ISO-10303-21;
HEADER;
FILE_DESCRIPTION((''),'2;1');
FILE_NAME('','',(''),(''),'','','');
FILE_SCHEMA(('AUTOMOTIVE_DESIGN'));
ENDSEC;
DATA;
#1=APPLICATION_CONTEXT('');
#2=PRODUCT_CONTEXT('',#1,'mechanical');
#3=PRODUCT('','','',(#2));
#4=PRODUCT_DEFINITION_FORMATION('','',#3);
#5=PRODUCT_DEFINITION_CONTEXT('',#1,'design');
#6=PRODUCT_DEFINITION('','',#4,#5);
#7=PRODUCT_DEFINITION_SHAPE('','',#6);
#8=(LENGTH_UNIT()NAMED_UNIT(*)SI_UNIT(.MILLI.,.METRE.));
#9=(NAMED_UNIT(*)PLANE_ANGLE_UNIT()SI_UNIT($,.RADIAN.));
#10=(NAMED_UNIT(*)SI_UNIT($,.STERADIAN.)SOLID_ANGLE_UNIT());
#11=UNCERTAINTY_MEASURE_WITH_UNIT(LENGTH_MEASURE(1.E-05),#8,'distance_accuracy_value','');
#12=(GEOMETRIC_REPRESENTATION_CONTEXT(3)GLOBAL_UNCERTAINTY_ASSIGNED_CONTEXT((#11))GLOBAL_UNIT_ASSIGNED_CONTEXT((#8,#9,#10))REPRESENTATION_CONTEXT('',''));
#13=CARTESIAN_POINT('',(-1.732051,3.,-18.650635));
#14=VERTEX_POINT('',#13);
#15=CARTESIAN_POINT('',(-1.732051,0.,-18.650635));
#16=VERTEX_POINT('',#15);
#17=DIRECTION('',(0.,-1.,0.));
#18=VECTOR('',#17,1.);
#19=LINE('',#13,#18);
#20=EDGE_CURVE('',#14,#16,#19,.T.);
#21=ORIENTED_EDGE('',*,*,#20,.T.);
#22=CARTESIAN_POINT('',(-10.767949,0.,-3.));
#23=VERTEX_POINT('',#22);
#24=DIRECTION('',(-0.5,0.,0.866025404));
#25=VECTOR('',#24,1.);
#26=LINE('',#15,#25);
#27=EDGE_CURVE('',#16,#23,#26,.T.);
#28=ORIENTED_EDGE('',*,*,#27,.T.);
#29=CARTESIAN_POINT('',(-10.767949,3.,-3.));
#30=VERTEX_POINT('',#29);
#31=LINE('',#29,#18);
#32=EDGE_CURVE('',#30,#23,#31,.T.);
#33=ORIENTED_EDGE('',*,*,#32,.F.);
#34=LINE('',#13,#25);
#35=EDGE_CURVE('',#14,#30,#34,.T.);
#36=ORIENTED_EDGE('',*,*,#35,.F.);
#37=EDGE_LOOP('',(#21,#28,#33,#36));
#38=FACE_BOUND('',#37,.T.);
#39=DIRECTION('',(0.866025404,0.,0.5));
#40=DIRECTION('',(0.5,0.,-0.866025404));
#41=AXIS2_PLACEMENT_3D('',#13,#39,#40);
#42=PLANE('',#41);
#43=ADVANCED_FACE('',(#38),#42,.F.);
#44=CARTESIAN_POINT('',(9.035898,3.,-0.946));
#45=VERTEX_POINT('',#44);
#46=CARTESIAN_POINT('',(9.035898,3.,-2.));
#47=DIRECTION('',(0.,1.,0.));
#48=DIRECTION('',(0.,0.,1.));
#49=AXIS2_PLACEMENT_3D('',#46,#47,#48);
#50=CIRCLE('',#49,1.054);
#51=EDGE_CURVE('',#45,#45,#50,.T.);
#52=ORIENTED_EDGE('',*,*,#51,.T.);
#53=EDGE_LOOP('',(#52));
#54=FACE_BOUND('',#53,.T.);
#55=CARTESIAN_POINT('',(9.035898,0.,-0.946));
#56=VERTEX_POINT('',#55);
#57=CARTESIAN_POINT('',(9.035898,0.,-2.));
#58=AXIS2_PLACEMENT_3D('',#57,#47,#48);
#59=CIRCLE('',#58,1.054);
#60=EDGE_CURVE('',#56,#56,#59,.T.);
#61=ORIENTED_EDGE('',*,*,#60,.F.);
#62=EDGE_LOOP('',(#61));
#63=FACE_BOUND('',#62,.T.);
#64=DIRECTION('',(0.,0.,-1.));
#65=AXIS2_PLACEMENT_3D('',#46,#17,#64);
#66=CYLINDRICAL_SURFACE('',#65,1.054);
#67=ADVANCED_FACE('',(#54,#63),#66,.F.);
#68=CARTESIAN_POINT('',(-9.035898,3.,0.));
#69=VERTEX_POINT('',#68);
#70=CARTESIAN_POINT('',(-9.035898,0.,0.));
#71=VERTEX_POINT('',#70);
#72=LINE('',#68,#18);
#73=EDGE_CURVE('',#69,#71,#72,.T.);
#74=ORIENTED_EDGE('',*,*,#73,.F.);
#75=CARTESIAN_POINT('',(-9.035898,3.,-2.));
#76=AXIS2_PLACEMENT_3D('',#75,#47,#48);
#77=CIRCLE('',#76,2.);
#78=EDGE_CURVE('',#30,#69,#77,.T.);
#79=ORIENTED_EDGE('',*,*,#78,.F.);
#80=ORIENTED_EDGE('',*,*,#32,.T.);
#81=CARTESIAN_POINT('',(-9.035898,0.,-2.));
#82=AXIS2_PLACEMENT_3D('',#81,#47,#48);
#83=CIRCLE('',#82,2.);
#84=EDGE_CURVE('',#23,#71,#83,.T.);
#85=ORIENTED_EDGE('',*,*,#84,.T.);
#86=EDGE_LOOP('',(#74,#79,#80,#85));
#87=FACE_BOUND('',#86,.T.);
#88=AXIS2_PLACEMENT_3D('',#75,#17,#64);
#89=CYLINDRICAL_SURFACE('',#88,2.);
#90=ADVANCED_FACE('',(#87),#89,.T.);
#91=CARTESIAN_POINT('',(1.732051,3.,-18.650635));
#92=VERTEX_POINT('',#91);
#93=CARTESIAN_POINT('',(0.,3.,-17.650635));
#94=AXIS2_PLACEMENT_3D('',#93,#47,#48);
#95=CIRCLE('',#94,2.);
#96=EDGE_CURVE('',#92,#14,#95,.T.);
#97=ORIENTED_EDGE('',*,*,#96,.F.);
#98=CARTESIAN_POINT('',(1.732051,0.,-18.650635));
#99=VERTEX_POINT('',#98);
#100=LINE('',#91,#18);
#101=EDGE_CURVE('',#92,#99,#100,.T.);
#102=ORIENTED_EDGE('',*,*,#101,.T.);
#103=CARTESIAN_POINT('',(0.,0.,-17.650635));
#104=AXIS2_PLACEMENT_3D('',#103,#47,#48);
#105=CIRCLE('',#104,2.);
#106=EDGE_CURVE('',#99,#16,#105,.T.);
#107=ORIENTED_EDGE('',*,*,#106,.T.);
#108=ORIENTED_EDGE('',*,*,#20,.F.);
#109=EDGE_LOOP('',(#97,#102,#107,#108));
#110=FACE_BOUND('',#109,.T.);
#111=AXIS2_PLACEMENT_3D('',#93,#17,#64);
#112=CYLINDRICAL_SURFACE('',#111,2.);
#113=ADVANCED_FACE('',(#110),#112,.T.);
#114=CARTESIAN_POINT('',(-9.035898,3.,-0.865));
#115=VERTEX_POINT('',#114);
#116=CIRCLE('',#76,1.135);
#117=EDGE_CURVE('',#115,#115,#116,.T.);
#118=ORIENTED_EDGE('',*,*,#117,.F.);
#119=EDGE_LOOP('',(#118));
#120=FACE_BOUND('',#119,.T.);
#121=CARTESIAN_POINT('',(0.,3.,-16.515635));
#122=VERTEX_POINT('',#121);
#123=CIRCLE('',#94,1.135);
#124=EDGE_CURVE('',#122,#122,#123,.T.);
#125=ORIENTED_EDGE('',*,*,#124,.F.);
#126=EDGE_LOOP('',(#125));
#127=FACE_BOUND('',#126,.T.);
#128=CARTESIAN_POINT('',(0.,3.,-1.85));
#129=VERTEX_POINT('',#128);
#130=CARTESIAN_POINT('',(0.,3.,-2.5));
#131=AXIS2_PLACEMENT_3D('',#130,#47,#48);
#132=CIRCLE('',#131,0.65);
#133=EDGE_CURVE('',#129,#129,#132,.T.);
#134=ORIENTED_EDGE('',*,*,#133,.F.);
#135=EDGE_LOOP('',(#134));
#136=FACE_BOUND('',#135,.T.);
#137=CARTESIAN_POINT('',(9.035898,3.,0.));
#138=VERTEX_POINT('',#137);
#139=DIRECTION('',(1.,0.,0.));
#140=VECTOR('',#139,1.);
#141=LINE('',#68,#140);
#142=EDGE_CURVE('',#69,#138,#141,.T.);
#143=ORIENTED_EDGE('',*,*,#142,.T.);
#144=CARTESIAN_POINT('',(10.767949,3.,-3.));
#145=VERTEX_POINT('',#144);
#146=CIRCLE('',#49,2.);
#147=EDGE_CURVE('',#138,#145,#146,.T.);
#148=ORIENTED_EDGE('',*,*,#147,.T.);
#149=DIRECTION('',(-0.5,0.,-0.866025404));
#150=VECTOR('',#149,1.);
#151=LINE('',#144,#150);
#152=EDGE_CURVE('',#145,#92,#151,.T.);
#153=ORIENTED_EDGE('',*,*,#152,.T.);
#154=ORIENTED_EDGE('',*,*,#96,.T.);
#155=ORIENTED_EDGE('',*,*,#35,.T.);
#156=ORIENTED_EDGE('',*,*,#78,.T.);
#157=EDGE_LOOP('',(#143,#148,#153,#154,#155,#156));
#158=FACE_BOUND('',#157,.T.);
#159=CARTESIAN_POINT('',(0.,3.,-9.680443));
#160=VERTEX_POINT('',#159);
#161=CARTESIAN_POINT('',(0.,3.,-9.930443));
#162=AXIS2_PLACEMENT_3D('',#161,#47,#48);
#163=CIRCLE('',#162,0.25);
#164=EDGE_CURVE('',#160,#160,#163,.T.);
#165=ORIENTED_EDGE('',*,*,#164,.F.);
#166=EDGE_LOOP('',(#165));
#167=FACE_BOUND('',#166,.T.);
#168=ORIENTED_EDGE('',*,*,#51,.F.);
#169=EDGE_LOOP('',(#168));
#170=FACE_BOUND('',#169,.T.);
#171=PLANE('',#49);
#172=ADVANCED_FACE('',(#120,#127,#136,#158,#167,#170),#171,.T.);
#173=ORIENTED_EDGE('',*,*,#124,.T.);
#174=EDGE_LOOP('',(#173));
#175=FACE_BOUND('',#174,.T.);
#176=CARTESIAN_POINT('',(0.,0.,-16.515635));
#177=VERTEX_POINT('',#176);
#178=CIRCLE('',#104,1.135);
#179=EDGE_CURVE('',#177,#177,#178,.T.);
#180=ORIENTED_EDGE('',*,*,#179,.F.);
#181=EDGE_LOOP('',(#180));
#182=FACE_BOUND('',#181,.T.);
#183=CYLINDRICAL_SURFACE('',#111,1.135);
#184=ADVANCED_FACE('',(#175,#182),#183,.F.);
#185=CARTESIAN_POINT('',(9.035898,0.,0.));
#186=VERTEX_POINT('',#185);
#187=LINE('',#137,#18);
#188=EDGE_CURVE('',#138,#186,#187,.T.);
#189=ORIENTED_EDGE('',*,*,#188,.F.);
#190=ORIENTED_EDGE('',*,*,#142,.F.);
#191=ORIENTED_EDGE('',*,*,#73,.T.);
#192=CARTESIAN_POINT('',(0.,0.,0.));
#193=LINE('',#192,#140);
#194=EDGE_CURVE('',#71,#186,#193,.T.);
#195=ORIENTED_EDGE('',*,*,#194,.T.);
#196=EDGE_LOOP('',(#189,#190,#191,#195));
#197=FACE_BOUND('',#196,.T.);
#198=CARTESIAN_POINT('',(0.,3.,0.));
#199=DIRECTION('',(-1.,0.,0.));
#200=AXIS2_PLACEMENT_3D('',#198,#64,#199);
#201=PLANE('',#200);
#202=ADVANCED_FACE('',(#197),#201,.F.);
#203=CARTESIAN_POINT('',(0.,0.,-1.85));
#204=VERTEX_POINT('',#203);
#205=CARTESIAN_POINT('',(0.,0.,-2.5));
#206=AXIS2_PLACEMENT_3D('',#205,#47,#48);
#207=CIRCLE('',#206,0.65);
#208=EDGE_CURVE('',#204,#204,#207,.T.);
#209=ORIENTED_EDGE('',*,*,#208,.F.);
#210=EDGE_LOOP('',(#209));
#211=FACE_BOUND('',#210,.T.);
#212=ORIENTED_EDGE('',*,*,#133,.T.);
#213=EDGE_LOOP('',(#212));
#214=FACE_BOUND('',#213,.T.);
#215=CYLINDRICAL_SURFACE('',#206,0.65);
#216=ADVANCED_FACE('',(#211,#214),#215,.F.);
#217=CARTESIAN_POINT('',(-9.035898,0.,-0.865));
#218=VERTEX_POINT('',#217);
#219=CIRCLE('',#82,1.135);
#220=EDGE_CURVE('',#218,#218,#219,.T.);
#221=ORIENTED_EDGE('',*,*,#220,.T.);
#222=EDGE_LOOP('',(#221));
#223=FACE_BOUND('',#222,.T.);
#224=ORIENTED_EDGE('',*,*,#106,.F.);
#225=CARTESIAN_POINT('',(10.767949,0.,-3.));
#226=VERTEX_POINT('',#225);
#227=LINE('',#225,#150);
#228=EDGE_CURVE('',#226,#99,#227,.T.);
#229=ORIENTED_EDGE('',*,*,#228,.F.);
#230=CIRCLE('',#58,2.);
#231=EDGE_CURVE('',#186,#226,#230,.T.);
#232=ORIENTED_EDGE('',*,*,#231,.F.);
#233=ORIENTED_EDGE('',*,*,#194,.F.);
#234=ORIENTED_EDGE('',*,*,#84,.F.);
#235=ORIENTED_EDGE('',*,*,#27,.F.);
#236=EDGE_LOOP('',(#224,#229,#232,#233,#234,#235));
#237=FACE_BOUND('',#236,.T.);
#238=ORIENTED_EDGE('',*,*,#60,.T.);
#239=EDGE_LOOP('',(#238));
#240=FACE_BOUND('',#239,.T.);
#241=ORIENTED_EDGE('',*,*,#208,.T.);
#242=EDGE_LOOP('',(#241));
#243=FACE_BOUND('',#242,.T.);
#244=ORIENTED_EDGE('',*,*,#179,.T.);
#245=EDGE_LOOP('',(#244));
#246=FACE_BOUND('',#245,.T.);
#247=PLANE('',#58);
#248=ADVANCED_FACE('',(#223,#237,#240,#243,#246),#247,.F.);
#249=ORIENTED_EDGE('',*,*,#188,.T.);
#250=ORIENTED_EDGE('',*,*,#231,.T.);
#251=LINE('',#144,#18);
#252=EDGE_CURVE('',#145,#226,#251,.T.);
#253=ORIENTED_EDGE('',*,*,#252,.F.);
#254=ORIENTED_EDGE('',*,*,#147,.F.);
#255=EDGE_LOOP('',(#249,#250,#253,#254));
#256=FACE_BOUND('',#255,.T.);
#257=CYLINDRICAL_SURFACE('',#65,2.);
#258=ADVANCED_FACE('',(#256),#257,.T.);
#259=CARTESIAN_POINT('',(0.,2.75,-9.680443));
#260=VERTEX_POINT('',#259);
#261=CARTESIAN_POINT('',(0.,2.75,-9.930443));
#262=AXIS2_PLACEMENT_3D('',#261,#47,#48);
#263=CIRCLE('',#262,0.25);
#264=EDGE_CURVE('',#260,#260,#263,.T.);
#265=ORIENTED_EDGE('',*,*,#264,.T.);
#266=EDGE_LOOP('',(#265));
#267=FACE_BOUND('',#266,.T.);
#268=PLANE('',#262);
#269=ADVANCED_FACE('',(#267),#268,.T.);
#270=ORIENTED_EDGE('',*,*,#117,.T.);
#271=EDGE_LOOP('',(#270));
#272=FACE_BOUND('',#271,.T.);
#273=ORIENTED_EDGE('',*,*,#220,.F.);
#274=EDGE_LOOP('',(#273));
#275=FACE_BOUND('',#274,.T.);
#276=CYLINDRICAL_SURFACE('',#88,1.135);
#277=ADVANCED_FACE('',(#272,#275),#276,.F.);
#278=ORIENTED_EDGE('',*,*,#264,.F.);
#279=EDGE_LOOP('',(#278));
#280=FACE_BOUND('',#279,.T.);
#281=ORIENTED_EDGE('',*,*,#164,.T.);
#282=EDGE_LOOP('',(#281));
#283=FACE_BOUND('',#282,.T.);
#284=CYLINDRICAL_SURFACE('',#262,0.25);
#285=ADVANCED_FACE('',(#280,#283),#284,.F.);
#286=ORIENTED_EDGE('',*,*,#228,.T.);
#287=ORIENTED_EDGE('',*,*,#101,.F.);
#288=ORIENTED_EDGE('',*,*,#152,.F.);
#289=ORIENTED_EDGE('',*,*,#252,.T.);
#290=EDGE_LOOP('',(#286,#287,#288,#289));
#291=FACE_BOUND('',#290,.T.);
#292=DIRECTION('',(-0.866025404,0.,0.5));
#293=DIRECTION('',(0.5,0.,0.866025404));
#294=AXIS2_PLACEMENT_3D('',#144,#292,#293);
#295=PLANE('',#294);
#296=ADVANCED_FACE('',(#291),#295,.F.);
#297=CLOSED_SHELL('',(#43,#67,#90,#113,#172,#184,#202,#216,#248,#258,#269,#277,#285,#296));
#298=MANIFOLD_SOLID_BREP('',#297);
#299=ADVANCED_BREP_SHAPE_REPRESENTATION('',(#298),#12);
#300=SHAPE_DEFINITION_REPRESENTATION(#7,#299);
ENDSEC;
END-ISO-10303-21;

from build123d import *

# Parameters (mm, degrees)
SKETCH1_R           = 1.135
SKETCH1_R_2         = 1.054
BOSS_EXTRUDE1_DEPTH = 3
SKETCH2_R           = 0.65
CUT_EXTRUDE1_DEPTH  = 23.736281859
SKETCH4_R           = 0.25
CUT_EXTRUDE3_DEPTH  = 0.25


with BuildPart() as part:
    # Sketch1 → Boss-Extrude1 (new body)
    with BuildSketch(Plane(origin=(0, 0, 0), x_dir=(1, 0, 0), z_dir=(0, 1, 0))):
        with BuildLine():
            Line((0, 0), (9.035898385, 0))
            ThreePointArc((9.035898385, 0), (10.767949192, 1), (10.767949192, 3))
            Line((10.767949192, 3), (1.732050808, 18.650635095))
            ThreePointArc((1.732050808, 18.650635095), (0, 19.650635095), (-1.732050808, 18.650635095))
            Line((-1.732050808, 18.650635095), (-10.767949192, 3))
            ThreePointArc((-10.767949192, 3), (-10.767949192, 1), (-9.035898385, 0))
            Line((-9.035898385, 0), (0, 0))
        make_face()
        with Locations(Location((0, 17.650635095, 0), (0, 0, 270))):
            Circle(SKETCH1_R, mode=Mode.SUBTRACT)
        with Locations(Location((-9.035898385, 2, 0), (0, 0, 270))):
            Circle(SKETCH1_R, mode=Mode.SUBTRACT)
        with Locations(Location((9.035898385, 2, 0), (0, 0, 270))):
            Circle(SKETCH1_R_2, mode=Mode.SUBTRACT)
    extrude(amount=BOSS_EXTRUDE1_DEPTH)

    # Sketch2 → Cut-Extrude1 (cut, through all)
    with BuildSketch(Plane(origin=(0, 3, 0), x_dir=(1, 0, 0), z_dir=(0, 1, 0))):
        with Locations(Location((0, 2.5, 0), (0, 0, 270))):
            Circle(SKETCH2_R)
    extrude(amount=-CUT_EXTRUDE1_DEPTH, mode=Mode.SUBTRACT)

    # Sketch4 → Cut-Extrude3 (cut)
    with BuildSketch(Plane(origin=(0, 3, 0), x_dir=(1, 0, 0), z_dir=(0, 1, 0))):
        with Locations(Location((0, 9.930442918, 0), (0, 0, 270))):
            Circle(SKETCH4_R)
    extrude(amount=-CUT_EXTRUDE3_DEPTH, mode=Mode.SUBTRACT)


solid = part.part
